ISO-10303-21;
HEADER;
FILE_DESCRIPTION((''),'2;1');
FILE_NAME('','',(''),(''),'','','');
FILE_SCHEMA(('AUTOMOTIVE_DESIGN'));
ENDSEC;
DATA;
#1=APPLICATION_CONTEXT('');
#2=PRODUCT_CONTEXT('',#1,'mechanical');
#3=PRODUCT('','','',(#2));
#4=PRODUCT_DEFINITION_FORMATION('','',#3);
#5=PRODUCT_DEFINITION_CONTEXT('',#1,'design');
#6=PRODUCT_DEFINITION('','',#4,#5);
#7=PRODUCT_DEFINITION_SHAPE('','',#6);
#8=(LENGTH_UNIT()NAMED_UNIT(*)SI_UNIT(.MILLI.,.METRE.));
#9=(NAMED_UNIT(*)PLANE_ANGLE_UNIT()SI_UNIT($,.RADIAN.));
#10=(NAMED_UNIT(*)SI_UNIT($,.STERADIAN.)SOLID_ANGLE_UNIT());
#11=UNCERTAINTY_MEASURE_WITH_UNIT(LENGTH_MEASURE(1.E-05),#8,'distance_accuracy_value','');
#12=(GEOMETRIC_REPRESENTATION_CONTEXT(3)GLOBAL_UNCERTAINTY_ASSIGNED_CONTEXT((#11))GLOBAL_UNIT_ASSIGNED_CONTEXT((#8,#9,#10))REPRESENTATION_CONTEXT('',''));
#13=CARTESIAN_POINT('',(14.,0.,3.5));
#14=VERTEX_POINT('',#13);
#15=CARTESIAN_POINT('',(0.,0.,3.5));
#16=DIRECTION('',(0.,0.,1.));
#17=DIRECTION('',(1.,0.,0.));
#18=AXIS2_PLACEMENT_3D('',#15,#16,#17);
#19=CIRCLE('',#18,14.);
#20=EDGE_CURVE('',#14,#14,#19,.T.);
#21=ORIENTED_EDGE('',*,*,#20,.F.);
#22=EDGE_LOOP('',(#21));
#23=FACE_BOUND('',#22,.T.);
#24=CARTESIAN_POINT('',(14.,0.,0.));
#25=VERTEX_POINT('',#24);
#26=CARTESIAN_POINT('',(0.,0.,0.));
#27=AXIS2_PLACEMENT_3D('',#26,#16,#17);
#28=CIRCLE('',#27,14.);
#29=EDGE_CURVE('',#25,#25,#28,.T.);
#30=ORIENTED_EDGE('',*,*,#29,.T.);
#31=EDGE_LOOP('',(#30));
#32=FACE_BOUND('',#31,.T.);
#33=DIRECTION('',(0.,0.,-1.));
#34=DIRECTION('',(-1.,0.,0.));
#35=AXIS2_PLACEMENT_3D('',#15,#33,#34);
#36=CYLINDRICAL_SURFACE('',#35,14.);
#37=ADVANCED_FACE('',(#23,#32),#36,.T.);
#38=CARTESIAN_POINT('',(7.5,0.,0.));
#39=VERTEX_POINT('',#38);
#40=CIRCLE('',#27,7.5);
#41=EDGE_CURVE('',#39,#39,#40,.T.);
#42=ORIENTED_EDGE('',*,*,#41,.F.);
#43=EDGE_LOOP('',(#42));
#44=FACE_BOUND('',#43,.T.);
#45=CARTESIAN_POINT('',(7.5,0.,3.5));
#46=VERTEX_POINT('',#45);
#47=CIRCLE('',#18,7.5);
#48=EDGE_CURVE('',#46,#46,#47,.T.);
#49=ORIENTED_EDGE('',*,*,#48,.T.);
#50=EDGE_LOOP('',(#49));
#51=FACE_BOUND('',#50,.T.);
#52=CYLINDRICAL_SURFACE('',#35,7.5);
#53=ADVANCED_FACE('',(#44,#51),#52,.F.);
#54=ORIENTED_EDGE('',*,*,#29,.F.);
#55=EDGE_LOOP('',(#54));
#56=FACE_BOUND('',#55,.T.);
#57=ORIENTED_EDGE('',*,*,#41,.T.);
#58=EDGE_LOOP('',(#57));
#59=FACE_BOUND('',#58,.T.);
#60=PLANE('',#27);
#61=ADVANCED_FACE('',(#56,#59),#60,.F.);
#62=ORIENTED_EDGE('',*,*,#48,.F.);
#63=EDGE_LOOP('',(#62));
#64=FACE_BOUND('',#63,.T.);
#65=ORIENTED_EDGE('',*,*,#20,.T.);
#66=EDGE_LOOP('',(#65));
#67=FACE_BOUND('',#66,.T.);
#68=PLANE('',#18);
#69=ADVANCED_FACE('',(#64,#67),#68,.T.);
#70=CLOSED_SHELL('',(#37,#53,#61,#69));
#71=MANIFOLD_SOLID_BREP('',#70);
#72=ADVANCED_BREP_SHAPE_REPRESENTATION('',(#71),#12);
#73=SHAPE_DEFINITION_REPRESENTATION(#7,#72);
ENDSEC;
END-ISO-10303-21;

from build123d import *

# Parameters (mm, degrees)
SKIZZE1_R                       = 14
SKIZZE1_R_2                     = 7.5
AUFSATZ_LINEAR_AUSTRAGEN1_DEPTH = 3.5


with BuildPart() as part:
    # Skizze1 → Aufsatz-Linear austragen1 (new body)
    with BuildSketch(Plane.XY):
        Circle(SKIZZE1_R)
        Circle(SKIZZE1_R_2, mode=Mode.SUBTRACT)
    extrude(amount=AUFSATZ_LINEAR_AUSTRAGEN1_DEPTH)


solid = part.part
